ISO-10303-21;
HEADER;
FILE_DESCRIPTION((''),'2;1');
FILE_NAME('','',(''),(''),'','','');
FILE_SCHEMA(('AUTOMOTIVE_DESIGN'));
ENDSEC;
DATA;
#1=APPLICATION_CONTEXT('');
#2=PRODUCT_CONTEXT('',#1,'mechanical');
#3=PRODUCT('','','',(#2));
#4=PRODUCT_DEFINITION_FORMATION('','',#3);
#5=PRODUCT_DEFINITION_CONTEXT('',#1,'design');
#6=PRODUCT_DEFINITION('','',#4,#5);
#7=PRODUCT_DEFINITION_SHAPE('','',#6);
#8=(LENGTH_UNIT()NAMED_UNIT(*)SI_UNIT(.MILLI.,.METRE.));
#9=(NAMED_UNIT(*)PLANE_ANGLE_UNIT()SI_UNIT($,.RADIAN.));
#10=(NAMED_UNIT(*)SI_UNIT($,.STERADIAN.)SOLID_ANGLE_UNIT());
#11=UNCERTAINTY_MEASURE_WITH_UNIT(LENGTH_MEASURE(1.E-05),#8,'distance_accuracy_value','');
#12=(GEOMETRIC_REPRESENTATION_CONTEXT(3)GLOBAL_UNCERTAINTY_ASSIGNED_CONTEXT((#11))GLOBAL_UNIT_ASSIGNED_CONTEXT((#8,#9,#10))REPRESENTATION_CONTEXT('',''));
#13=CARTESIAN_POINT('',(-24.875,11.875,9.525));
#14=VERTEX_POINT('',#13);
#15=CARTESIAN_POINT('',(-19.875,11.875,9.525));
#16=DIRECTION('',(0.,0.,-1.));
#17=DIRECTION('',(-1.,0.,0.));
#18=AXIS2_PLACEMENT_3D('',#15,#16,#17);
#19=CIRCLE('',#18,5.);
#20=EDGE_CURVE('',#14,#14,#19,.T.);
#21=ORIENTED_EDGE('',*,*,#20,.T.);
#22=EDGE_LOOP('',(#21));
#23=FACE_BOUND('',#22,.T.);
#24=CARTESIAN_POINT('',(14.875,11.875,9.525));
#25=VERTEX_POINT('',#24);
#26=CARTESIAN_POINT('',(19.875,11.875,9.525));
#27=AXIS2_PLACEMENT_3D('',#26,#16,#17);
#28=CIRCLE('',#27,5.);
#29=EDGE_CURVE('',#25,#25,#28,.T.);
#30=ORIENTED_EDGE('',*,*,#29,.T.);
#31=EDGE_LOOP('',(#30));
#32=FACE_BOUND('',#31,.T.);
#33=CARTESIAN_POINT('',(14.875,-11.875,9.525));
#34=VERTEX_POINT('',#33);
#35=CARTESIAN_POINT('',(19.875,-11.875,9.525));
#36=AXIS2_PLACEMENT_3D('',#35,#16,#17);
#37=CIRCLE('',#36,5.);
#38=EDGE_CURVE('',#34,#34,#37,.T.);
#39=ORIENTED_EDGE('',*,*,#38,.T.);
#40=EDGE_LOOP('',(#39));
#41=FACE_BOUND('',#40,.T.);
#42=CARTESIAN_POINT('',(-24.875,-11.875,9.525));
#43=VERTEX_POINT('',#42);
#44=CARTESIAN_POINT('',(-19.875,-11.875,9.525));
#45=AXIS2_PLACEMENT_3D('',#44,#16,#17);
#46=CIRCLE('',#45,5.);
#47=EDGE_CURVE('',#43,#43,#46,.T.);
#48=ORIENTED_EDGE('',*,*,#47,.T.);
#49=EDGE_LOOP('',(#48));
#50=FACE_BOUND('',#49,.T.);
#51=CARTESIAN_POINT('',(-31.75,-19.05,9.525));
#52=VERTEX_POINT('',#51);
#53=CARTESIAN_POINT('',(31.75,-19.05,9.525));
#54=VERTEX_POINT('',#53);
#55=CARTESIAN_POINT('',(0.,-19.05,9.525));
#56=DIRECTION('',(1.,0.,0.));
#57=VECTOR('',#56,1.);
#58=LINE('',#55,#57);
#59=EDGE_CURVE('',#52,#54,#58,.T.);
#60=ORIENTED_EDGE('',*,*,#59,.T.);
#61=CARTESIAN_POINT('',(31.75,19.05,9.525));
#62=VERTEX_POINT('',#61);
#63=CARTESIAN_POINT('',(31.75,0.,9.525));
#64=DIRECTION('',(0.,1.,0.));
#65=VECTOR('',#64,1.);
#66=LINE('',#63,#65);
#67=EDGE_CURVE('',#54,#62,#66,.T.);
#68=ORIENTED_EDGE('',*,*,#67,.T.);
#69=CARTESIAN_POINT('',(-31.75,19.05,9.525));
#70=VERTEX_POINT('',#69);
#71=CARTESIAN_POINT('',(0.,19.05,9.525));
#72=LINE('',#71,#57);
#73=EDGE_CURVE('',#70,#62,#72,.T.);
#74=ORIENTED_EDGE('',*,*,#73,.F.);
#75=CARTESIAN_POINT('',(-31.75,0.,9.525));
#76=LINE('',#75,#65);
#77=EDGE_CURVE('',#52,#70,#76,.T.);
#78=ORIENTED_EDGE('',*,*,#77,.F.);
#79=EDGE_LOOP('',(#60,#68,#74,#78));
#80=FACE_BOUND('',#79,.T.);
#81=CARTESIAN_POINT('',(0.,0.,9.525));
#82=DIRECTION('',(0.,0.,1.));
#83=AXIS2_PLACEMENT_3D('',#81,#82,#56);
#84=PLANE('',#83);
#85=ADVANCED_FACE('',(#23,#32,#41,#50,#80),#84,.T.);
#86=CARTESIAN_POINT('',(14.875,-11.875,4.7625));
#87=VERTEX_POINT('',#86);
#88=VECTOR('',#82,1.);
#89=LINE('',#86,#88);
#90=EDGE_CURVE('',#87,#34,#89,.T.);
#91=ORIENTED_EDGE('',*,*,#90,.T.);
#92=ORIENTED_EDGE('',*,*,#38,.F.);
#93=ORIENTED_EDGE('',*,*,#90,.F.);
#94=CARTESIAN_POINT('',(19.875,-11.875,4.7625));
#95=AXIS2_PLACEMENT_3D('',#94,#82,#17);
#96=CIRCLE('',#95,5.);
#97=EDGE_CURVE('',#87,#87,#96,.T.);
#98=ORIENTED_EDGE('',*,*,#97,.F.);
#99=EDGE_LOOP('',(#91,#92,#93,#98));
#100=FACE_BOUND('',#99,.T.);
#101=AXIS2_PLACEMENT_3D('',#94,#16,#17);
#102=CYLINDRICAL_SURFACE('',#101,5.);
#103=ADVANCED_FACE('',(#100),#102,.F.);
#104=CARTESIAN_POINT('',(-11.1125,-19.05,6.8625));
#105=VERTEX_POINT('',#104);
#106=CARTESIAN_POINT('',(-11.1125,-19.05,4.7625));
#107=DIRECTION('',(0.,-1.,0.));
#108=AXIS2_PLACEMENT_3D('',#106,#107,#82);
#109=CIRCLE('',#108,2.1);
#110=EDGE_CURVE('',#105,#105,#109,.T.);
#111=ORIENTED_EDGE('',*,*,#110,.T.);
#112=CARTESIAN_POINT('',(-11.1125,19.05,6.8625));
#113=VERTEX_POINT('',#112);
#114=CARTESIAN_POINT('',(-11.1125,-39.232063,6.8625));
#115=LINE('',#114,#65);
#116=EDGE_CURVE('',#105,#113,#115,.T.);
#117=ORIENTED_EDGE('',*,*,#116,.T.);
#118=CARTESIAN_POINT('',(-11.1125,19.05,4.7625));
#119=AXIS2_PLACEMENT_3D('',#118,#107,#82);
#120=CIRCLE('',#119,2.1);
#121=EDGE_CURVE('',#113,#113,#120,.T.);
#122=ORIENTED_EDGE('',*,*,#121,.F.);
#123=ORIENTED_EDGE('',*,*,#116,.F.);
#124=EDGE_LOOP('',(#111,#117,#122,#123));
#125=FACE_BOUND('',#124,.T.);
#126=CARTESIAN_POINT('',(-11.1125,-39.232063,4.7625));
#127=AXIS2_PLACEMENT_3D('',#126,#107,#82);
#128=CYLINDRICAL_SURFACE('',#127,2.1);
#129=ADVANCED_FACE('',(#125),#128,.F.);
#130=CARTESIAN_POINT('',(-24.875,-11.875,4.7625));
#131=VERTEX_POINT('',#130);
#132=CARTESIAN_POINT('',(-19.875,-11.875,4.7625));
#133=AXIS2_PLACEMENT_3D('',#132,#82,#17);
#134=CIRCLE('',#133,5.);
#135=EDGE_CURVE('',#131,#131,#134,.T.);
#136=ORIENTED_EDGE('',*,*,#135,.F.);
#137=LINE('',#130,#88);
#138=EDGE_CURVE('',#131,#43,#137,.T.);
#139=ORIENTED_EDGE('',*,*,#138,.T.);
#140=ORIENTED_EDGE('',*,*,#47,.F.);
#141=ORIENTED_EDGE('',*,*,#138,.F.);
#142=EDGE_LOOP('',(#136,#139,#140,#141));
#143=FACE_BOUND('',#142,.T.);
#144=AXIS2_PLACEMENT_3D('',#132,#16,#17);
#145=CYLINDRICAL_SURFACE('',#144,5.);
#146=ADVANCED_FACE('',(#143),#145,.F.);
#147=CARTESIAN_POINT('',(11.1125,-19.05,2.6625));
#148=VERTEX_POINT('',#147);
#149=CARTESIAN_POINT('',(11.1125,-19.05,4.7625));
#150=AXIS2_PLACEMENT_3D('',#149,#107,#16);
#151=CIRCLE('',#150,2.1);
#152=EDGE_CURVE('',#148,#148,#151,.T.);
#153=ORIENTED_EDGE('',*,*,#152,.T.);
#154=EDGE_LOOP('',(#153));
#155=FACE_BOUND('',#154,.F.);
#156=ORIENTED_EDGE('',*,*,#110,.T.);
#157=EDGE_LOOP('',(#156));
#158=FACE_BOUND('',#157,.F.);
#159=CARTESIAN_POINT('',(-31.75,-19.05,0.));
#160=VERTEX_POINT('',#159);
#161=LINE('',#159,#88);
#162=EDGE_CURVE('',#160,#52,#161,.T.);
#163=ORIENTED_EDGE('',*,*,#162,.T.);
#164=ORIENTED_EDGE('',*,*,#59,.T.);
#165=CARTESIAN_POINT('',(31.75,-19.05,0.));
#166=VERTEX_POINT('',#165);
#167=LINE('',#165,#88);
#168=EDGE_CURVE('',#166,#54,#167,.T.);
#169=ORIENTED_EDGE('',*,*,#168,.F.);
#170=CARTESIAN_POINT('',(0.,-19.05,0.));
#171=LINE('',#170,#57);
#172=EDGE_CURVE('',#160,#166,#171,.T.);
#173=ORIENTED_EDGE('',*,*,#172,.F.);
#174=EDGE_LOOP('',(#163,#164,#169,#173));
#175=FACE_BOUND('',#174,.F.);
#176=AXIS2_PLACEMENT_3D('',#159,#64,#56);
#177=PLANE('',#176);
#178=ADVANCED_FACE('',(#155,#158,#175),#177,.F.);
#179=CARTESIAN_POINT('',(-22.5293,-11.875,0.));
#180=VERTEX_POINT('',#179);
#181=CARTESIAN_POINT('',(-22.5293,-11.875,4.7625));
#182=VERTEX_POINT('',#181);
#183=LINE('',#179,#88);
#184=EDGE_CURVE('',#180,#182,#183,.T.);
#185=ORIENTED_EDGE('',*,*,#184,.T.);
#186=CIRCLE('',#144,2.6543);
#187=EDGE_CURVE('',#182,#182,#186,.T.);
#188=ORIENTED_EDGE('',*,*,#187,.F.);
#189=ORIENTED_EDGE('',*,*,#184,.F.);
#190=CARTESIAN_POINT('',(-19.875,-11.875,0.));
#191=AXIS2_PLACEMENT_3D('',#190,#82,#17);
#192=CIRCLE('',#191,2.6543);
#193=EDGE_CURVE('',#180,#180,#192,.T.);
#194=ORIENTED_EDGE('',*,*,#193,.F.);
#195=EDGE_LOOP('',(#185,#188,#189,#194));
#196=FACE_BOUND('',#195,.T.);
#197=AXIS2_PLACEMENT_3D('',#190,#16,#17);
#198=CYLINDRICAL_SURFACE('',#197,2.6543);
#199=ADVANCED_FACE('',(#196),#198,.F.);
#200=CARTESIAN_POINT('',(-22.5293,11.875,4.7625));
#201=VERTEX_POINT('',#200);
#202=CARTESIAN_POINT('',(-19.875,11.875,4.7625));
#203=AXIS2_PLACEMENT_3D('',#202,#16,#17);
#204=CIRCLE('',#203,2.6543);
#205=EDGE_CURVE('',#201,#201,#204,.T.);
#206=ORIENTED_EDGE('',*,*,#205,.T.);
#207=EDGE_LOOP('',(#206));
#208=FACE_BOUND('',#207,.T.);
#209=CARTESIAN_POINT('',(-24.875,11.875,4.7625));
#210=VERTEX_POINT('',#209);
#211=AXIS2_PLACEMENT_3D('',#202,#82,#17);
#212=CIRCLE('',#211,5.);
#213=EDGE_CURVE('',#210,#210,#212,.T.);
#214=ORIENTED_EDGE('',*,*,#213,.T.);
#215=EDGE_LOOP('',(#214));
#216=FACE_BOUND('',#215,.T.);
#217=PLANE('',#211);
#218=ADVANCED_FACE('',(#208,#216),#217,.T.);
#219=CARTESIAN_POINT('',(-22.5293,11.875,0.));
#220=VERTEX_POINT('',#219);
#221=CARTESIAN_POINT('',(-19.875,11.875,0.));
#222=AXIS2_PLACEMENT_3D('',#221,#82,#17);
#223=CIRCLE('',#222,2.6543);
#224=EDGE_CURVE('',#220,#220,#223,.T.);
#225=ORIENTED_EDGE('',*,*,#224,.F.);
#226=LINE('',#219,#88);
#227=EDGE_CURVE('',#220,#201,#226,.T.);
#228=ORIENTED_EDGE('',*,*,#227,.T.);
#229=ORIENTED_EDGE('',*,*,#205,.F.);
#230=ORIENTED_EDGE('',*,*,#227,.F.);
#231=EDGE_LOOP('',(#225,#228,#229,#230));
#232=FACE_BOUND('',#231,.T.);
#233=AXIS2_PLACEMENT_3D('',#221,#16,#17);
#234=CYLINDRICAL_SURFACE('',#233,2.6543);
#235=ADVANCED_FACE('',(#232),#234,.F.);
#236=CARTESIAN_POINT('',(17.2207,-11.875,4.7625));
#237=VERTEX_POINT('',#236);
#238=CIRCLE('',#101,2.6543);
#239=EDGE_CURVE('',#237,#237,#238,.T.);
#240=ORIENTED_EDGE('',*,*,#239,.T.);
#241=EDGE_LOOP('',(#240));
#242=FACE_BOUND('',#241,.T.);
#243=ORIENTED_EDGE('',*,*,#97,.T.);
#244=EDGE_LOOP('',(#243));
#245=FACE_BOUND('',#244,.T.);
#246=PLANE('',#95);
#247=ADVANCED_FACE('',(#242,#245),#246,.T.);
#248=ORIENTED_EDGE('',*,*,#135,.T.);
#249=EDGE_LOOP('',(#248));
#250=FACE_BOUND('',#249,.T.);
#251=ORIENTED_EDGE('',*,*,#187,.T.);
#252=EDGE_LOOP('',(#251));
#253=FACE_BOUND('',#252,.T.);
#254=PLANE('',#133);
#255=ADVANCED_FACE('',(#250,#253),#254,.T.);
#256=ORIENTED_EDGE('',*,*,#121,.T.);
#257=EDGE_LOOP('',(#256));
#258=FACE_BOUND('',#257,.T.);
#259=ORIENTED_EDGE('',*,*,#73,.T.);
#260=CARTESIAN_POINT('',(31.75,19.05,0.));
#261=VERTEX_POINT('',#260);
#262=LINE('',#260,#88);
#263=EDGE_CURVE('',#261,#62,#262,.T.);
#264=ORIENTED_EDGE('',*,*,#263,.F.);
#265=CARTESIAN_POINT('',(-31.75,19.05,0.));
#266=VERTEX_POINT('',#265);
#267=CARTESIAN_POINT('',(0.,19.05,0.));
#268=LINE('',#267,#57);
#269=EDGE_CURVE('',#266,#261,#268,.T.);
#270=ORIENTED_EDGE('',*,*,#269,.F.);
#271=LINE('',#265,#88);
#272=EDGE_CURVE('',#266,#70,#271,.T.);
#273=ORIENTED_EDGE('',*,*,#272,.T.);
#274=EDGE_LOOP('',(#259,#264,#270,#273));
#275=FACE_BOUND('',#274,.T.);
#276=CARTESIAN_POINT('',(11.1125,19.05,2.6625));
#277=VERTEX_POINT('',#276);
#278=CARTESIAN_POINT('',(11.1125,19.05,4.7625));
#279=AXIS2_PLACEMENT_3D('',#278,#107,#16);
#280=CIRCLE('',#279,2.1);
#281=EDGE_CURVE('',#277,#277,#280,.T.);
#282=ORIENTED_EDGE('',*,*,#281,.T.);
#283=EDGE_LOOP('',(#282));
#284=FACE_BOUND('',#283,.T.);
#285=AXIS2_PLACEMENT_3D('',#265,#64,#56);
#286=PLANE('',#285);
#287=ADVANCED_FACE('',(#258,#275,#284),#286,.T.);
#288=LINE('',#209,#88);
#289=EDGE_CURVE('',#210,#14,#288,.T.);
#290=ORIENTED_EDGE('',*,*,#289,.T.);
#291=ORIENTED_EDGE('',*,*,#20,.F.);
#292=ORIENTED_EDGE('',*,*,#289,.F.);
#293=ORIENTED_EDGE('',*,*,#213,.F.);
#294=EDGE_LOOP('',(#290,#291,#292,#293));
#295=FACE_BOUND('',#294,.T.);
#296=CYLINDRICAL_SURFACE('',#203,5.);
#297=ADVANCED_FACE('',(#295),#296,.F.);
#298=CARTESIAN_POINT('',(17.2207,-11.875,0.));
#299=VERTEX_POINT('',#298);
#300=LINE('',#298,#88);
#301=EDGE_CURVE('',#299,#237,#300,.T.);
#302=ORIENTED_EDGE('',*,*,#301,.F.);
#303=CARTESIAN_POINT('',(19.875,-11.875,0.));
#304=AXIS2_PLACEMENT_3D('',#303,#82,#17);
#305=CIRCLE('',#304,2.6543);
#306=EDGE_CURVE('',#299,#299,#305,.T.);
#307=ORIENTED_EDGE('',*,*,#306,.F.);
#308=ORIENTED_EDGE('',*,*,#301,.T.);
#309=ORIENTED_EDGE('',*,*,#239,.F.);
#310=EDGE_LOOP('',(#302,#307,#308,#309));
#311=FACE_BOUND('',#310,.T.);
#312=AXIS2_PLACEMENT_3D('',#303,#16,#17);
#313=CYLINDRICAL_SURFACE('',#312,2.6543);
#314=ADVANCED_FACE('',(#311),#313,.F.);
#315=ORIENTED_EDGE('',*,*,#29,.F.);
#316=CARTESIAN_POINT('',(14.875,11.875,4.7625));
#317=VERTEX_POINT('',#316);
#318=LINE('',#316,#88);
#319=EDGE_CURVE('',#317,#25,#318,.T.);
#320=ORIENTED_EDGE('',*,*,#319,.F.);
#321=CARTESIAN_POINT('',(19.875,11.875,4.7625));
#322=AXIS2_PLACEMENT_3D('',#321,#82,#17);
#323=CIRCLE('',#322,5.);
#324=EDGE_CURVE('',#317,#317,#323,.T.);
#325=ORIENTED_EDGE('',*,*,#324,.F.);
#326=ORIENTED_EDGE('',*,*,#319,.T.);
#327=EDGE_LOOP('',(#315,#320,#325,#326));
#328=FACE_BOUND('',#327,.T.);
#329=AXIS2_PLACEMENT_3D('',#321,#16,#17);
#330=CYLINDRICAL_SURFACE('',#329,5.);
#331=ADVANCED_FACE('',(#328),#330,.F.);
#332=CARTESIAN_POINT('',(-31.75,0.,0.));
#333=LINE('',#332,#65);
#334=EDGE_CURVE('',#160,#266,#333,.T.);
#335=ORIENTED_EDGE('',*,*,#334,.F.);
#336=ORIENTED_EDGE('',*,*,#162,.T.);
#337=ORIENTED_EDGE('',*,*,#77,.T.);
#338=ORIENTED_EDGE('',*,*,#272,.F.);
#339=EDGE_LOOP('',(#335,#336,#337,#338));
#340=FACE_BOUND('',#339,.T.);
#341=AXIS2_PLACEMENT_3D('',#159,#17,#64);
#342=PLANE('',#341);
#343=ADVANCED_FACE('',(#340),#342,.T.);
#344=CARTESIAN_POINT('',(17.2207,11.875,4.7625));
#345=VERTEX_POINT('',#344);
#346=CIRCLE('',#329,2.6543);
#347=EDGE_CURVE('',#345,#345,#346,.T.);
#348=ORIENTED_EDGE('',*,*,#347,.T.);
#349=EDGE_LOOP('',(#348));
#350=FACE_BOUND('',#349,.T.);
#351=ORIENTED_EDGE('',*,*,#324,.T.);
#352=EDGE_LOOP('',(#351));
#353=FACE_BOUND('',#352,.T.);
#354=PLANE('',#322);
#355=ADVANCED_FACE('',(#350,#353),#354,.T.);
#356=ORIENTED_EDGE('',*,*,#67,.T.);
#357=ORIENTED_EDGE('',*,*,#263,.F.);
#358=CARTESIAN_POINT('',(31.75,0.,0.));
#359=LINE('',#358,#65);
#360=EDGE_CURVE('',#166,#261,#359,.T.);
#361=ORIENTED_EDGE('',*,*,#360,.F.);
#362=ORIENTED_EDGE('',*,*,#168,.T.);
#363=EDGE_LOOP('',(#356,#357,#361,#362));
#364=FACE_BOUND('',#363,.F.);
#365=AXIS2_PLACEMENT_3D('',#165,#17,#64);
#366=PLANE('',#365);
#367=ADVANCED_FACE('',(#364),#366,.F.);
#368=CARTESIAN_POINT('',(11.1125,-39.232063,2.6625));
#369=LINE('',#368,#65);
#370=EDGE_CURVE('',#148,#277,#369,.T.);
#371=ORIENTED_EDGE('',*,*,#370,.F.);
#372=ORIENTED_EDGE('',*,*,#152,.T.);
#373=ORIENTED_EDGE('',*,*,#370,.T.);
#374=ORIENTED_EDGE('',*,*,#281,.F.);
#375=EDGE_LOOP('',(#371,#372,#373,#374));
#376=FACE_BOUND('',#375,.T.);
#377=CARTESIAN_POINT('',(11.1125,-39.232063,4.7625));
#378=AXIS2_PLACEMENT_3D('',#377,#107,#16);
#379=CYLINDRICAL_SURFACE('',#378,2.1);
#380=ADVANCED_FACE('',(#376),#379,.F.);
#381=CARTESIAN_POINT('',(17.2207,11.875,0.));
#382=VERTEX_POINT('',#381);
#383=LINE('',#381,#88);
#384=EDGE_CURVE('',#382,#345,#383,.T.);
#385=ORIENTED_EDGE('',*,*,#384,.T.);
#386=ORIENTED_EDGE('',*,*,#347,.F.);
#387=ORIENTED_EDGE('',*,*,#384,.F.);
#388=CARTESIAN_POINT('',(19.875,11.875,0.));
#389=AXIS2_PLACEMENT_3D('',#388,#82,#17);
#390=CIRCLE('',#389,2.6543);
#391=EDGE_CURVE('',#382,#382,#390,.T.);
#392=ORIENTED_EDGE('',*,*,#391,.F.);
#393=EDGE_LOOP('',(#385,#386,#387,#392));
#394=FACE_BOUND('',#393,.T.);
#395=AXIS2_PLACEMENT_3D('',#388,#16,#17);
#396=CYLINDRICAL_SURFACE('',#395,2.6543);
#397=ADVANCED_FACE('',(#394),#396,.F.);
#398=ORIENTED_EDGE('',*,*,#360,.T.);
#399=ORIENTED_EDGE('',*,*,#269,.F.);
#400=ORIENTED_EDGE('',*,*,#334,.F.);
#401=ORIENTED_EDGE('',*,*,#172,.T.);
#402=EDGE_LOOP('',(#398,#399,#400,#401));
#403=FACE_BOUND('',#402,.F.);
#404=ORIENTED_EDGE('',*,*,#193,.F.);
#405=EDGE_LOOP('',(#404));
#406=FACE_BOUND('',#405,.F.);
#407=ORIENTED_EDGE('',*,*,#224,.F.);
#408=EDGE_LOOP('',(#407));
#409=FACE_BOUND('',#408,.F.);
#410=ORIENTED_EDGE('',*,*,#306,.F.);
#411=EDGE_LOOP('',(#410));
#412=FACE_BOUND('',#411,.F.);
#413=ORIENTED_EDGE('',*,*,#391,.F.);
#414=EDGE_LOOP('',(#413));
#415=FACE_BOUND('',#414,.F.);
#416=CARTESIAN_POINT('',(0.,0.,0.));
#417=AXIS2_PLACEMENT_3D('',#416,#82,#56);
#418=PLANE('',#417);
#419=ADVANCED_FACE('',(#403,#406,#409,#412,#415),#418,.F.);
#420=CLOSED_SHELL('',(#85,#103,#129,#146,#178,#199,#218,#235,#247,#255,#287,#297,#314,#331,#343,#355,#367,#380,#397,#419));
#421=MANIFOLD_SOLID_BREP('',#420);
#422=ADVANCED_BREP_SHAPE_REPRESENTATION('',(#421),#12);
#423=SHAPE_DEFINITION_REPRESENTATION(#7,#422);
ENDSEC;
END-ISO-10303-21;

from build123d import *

# Parameters (mm, degrees)
SKETCH1_W               = 63.5
SKETCH1_H               = 38.1
SKETCH1_R               = 2.6543
BOSS_EXTRUDE1_DEPTH     = 9.525
CUT_EXTRUDE2_DEPTH      = 39.232062788
CUT_EXTRUDE2_DEPTH_BACK = 4.7625
SKETCH4_R               = 5
CUT_EXTRUDE3_DEPTH      = 39.232062788
CUT_EXTRUDE3_DEPTH_BACK = 39.232062788
SKETCH5_R               = 2.1


with BuildPart() as part:
    # Sketch1 → Boss-Extrude1 (new body)
    with BuildSketch(Plane.XY):
        Rectangle(SKETCH1_W, SKETCH1_H)
        with Locations(Location((-19.875, 11.875, 0), (0, 0, 180))):
            Circle(SKETCH1_R, mode=Mode.SUBTRACT)
        with Locations(Location((-19.875, -11.875, 0), (0, 0, 180))):
            Circle(SKETCH1_R, mode=Mode.SUBTRACT)
        with Locations(Location((19.875, -11.875, 0), (0, 0, 180))):
            Circle(SKETCH1_R, mode=Mode.SUBTRACT)
        with Locations(Location((19.875, 11.875, 0), (0, 0, 180))):
            Circle(SKETCH1_R, mode=Mode.SUBTRACT)
    extrude(amount=BOSS_EXTRUDE1_DEPTH)

    # Sketch4 → Cut-Extrude2 (cut, two sides: drawn at the far end of the back side and taken through both)
    with BuildSketch(Plane.XY.offset(9.525).offset(-CUT_EXTRUDE2_DEPTH_BACK)):
        with Locations(Location((19.875, -11.875, 0), (0, 0, 180))):
            Circle(SKETCH4_R)
        with Locations(Location((19.875, 11.875, 0), (0, 0, 180))):
            Circle(SKETCH4_R)
        with Locations(Location((-19.875, 11.875, 0), (0, 0, 180))):
            Circle(SKETCH4_R)
        with Locations(Location((-19.875, -11.875, 0), (0, 0, 180))):
            Circle(SKETCH4_R)
    extrude(amount=CUT_EXTRUDE2_DEPTH + CUT_EXTRUDE2_DEPTH_BACK, mode=Mode.SUBTRACT)

    # Sketch5 → Cut-Extrude3 (cut, two sides: drawn at the far end of the back side and taken through both)
    with BuildSketch(Plane(origin=(0, 0, 0), x_dir=(1, 0, 0), z_dir=(0, 1, 0)).offset(-CUT_EXTRUDE3_DEPTH_BACK)):
        with Locations(Location((-11.1125, -4.7625, 0), (0, 0, 270))):
            Circle(SKETCH5_R)
        with Locations(Location((11.1125, -4.7625, 0), (0, 0, 90))):
            Circle(SKETCH5_R)
    extrude(amount=CUT_EXTRUDE3_DEPTH + CUT_EXTRUDE3_DEPTH_BACK, mode=Mode.SUBTRACT)


solid = part.part
